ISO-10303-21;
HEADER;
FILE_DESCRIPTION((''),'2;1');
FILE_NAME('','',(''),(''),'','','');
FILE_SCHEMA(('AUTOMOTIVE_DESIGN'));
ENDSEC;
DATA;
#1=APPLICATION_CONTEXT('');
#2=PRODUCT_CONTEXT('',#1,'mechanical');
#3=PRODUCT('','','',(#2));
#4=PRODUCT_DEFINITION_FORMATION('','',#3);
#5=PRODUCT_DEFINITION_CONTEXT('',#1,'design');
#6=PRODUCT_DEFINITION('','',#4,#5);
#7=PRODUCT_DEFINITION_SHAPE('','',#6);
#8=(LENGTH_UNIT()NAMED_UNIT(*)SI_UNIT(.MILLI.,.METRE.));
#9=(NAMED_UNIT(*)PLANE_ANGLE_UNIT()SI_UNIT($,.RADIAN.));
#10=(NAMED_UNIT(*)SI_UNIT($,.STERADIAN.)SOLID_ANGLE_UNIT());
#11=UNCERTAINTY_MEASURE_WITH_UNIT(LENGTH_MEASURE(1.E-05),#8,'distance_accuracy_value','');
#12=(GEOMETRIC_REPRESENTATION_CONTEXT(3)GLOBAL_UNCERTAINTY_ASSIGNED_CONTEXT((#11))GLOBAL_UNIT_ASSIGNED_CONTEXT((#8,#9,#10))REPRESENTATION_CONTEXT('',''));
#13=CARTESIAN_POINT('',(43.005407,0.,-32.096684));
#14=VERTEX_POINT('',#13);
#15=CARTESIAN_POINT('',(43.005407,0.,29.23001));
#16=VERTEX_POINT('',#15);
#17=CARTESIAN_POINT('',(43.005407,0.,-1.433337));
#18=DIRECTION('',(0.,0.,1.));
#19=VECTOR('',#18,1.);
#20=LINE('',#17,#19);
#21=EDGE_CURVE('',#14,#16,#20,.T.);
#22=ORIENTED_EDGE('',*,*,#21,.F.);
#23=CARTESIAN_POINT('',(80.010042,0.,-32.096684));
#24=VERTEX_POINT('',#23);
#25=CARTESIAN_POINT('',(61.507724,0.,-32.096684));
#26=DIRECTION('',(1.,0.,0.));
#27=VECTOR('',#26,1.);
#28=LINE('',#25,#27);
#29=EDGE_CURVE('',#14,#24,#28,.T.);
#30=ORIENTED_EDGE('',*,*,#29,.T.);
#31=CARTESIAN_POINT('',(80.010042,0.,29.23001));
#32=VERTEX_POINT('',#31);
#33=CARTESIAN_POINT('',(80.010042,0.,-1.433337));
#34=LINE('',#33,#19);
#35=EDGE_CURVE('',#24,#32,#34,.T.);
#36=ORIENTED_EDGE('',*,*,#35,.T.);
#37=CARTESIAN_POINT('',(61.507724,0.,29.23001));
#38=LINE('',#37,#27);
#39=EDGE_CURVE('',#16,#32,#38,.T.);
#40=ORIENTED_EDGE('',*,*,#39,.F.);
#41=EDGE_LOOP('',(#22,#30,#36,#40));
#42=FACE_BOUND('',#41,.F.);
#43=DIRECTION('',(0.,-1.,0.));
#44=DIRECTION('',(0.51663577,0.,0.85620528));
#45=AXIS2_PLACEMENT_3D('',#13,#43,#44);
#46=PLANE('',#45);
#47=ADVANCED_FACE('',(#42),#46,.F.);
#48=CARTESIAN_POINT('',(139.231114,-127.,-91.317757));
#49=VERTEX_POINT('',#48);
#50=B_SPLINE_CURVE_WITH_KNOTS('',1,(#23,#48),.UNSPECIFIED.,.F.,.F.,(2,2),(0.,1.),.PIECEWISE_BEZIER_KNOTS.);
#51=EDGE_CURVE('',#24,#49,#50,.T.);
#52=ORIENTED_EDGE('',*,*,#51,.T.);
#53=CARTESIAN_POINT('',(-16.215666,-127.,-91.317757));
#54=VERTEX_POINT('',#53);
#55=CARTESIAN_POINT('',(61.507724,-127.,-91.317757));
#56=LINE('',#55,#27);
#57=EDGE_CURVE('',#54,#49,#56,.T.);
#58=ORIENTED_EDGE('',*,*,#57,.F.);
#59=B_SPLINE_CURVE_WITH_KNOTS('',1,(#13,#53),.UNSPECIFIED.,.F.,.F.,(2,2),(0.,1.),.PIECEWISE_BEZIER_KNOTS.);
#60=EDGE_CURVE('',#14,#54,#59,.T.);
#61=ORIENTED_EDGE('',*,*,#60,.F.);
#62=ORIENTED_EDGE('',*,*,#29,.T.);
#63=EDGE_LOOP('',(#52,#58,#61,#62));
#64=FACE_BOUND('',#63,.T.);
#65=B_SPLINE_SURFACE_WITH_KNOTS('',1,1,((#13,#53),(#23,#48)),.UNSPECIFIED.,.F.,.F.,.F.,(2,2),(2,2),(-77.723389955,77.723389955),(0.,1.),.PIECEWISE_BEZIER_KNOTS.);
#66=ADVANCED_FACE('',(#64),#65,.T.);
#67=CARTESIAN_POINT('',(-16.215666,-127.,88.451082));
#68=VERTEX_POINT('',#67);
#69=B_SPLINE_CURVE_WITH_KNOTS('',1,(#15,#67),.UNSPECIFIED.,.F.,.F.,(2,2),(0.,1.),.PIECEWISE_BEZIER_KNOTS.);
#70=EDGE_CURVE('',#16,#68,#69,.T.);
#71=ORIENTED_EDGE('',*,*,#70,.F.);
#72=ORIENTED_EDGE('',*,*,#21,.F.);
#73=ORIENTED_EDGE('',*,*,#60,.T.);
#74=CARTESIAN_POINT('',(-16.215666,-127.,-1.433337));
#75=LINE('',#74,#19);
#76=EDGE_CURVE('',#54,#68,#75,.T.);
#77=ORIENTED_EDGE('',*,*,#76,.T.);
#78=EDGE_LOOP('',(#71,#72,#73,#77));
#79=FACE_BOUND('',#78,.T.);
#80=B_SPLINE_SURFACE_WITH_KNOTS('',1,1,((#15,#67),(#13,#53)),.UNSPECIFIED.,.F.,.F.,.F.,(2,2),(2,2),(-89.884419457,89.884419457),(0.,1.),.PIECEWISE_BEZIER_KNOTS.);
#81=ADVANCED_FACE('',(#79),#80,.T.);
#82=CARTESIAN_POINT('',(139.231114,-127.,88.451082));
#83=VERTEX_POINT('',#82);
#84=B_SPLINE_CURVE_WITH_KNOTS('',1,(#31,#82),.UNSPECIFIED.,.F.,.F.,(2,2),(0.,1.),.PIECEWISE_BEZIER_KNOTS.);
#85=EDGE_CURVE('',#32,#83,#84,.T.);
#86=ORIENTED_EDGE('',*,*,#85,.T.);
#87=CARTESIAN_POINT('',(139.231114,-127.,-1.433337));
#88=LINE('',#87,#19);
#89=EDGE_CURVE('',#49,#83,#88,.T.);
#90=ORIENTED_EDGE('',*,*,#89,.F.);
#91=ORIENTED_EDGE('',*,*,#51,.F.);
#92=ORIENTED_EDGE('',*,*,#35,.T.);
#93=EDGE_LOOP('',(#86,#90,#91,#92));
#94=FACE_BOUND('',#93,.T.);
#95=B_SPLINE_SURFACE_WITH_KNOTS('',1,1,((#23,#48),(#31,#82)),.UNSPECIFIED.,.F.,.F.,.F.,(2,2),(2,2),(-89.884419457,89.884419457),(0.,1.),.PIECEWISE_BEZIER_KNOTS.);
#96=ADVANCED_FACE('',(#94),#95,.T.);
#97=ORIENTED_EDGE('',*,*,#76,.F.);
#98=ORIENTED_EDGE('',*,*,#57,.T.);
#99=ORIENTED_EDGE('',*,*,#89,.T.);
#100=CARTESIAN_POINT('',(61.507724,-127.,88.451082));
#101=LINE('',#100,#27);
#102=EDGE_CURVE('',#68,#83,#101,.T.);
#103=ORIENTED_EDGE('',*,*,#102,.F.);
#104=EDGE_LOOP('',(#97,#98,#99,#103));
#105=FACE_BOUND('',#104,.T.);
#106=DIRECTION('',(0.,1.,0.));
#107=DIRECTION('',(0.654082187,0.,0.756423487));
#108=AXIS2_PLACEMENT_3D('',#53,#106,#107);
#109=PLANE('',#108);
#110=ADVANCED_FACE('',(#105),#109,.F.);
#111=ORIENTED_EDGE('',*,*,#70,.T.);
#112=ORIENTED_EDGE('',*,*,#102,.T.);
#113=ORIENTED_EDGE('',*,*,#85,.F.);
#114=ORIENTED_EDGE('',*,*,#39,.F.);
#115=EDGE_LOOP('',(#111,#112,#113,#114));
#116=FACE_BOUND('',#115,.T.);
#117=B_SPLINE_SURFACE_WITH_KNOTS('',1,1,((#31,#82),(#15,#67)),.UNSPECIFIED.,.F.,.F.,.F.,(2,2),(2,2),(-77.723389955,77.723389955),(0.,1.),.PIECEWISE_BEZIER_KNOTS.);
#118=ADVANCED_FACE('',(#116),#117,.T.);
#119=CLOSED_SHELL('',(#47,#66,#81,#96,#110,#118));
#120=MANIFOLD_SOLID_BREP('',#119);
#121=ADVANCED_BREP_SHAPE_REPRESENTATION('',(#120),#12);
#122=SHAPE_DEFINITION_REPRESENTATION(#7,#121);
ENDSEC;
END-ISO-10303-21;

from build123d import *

# Parameters (mm, degrees)
F0_W     = 37.004634738
F0_H     = 61.3266937435
F1_DEPTH = 127
F1_TAPER = -25


with BuildPart() as f1:
    # F0 (on Front) → F1 (new body)
    with BuildSketch(Plane.XZ):
        with Locations((61.5077242255, -1.4333371073)):
            Rectangle(F0_W, F0_H)
    extrude(amount=F1_DEPTH, taper=F1_TAPER)


solid = f1.part
